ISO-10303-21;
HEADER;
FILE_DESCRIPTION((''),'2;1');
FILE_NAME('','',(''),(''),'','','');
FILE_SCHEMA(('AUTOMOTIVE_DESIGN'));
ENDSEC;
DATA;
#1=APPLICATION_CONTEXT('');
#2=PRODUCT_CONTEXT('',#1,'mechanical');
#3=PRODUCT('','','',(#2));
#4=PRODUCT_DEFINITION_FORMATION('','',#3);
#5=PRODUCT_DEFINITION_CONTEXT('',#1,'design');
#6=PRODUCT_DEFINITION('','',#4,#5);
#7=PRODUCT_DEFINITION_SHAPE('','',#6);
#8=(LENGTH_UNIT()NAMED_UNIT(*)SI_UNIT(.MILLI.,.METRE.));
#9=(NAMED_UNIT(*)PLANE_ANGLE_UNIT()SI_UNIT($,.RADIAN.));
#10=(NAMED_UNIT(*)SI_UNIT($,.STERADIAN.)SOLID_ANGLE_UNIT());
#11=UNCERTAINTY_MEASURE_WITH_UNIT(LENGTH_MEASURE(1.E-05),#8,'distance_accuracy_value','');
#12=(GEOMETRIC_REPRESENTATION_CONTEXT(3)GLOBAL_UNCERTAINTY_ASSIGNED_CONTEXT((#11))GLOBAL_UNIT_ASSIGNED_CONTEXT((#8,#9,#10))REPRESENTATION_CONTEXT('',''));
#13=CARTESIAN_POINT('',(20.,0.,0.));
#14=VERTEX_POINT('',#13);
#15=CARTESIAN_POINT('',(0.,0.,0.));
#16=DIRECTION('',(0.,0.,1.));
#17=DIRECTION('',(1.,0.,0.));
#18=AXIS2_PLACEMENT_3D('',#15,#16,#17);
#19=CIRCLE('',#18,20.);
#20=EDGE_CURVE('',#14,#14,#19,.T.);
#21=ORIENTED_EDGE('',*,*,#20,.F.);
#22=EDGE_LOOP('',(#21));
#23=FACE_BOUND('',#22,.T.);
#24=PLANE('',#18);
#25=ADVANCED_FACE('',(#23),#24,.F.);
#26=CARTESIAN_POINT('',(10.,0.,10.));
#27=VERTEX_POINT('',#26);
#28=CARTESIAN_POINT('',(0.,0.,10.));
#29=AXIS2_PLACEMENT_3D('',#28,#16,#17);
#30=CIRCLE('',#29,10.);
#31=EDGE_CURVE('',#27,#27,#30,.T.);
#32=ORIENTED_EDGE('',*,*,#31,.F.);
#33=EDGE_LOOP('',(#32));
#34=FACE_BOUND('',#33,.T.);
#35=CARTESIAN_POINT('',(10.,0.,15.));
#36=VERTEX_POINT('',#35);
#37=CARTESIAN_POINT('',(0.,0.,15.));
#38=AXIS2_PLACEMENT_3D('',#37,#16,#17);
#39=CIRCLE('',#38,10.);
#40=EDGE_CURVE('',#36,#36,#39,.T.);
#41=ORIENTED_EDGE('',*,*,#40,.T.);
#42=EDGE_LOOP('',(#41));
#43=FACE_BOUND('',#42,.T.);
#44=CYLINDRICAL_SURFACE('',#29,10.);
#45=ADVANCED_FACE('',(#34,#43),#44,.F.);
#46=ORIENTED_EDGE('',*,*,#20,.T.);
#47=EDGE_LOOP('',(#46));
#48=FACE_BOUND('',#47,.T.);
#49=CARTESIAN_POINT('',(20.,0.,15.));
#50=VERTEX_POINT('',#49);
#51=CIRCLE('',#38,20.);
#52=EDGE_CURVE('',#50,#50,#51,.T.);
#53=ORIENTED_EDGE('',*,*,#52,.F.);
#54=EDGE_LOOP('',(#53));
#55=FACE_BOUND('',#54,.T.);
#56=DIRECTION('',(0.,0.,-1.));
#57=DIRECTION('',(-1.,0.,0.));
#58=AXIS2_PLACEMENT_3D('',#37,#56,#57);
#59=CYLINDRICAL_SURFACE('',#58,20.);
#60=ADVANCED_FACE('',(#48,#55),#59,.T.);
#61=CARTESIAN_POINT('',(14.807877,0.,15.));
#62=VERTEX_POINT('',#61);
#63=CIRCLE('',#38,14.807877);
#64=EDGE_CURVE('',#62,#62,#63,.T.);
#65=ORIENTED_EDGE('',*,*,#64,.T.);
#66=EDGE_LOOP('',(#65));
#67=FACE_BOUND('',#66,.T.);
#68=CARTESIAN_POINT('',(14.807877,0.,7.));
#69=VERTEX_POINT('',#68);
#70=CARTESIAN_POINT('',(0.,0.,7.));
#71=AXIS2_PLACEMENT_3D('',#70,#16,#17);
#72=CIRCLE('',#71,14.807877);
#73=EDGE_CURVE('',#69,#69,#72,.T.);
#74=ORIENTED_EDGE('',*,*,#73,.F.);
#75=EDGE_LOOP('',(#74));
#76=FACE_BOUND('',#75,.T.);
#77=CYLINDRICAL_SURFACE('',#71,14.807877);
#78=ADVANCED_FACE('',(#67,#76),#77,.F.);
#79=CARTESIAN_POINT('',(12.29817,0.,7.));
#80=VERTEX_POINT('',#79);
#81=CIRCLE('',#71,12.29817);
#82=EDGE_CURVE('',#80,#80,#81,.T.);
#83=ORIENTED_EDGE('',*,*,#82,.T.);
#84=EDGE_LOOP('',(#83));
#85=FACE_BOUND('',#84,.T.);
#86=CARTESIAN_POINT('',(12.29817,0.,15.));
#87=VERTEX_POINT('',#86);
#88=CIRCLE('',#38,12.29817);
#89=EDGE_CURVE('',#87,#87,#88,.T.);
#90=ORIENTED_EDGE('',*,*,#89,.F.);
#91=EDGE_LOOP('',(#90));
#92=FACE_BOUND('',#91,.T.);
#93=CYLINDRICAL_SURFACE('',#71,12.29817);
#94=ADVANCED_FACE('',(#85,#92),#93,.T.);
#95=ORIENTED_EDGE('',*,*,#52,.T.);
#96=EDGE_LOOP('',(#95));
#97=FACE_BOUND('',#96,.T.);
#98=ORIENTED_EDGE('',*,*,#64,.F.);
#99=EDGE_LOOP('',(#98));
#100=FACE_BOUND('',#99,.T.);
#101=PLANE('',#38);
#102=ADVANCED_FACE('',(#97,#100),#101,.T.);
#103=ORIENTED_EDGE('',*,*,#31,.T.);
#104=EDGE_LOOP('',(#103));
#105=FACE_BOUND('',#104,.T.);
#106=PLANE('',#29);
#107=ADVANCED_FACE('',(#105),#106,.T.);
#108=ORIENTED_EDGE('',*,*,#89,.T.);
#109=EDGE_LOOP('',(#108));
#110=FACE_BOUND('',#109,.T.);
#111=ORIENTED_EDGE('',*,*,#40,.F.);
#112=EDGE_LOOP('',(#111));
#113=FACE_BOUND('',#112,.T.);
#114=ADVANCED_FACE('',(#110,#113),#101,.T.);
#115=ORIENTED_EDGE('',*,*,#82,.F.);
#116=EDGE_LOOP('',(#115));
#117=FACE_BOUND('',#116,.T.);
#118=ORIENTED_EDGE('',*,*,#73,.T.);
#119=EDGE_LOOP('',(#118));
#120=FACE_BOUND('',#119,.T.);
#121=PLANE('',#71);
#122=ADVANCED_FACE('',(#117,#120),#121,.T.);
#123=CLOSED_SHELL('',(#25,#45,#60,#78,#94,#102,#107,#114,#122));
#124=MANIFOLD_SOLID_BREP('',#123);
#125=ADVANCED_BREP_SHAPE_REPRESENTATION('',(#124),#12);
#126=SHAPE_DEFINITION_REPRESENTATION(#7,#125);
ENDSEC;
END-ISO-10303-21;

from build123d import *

# Parameters (mm, degrees)
SKETCH1_R           = 20
BOSS_EXTRUDE1_DEPTH = 15
SKETCH2_R           = 10
CUT_EXTRUDE2_DEPTH  = 5
SKETCH4_R           = 14.80787709
SKETCH4_R_2         = 12.298169838
CUT_EXTRUDE3_DEPTH  = 8


with BuildPart() as part:
    # Sketch1 → Boss-Extrude1 (new body)
    with BuildSketch(Plane.XY):
        Circle(SKETCH1_R)
    extrude(amount=BOSS_EXTRUDE1_DEPTH)

    # Sketch2 → Cut-Extrude2 (cut)
    with BuildSketch(Plane.XY.offset(15)):
        Circle(SKETCH2_R)
    extrude(amount=-CUT_EXTRUDE2_DEPTH, mode=Mode.SUBTRACT)

    # Sketch4 → Cut-Extrude3 (cut)
    with BuildSketch(Plane.XY.offset(15)):
        Circle(SKETCH4_R)
        Circle(SKETCH4_R_2, mode=Mode.SUBTRACT)
    extrude(amount=-CUT_EXTRUDE3_DEPTH, mode=Mode.SUBTRACT)


solid = part.part
